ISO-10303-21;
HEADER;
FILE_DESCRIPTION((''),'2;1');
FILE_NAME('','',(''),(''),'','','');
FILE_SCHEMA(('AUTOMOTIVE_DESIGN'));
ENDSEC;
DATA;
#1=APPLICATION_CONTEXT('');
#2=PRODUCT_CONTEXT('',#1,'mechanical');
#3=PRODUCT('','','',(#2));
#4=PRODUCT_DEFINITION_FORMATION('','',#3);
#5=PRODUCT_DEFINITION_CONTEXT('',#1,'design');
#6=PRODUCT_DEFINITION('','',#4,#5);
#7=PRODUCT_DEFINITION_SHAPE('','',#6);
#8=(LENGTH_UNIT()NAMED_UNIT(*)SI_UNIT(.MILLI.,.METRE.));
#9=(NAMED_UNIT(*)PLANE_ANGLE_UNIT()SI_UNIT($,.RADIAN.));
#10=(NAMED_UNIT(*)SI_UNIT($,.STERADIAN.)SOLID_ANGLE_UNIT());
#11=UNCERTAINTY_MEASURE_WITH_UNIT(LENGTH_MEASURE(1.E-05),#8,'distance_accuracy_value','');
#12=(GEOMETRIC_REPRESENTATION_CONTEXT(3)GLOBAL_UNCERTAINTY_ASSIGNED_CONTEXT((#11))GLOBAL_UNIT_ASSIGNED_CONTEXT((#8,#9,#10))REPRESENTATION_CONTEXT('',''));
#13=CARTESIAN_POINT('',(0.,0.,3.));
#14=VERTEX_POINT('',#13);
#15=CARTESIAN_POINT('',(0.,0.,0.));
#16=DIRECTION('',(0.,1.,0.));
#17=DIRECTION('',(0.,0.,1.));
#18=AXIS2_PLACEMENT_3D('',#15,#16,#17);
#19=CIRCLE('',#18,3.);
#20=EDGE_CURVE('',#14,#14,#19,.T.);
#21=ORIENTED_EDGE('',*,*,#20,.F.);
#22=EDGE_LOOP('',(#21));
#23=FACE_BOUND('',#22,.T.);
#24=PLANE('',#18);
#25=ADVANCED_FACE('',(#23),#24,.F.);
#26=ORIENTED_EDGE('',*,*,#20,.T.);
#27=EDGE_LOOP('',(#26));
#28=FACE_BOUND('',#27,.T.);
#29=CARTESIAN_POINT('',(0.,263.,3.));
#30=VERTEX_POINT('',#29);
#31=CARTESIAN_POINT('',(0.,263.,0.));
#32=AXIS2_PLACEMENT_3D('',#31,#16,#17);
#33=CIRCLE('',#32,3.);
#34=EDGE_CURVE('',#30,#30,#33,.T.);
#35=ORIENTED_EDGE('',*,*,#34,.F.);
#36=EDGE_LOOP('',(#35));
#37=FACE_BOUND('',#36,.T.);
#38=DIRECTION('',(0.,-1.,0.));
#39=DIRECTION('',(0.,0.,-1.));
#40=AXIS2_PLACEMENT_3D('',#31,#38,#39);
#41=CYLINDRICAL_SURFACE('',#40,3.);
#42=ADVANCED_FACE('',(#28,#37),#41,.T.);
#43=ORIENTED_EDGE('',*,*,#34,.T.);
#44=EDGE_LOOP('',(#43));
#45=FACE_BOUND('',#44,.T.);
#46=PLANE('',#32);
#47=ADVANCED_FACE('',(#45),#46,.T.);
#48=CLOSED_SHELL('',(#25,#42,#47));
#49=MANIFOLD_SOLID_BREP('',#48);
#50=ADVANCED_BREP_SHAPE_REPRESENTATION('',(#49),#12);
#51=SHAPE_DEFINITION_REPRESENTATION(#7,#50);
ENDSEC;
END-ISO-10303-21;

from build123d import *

# Parameters (mm, degrees)
ESQUISSE1_R        = 3
BOSS_EXTRU_1_DEPTH = 263


with BuildPart() as part:
    # Esquisse1 → Boss.-Extru.1 (new body)
    with BuildSketch(Plane(origin=(0, 0, 0), x_dir=(1, 0, 0), z_dir=(0, 1, 0))):
        with Locations(Location((0, 0, 0), (0, 0, 270))):
            Circle(ESQUISSE1_R)
    extrude(amount=BOSS_EXTRU_1_DEPTH)


solid = part.part
